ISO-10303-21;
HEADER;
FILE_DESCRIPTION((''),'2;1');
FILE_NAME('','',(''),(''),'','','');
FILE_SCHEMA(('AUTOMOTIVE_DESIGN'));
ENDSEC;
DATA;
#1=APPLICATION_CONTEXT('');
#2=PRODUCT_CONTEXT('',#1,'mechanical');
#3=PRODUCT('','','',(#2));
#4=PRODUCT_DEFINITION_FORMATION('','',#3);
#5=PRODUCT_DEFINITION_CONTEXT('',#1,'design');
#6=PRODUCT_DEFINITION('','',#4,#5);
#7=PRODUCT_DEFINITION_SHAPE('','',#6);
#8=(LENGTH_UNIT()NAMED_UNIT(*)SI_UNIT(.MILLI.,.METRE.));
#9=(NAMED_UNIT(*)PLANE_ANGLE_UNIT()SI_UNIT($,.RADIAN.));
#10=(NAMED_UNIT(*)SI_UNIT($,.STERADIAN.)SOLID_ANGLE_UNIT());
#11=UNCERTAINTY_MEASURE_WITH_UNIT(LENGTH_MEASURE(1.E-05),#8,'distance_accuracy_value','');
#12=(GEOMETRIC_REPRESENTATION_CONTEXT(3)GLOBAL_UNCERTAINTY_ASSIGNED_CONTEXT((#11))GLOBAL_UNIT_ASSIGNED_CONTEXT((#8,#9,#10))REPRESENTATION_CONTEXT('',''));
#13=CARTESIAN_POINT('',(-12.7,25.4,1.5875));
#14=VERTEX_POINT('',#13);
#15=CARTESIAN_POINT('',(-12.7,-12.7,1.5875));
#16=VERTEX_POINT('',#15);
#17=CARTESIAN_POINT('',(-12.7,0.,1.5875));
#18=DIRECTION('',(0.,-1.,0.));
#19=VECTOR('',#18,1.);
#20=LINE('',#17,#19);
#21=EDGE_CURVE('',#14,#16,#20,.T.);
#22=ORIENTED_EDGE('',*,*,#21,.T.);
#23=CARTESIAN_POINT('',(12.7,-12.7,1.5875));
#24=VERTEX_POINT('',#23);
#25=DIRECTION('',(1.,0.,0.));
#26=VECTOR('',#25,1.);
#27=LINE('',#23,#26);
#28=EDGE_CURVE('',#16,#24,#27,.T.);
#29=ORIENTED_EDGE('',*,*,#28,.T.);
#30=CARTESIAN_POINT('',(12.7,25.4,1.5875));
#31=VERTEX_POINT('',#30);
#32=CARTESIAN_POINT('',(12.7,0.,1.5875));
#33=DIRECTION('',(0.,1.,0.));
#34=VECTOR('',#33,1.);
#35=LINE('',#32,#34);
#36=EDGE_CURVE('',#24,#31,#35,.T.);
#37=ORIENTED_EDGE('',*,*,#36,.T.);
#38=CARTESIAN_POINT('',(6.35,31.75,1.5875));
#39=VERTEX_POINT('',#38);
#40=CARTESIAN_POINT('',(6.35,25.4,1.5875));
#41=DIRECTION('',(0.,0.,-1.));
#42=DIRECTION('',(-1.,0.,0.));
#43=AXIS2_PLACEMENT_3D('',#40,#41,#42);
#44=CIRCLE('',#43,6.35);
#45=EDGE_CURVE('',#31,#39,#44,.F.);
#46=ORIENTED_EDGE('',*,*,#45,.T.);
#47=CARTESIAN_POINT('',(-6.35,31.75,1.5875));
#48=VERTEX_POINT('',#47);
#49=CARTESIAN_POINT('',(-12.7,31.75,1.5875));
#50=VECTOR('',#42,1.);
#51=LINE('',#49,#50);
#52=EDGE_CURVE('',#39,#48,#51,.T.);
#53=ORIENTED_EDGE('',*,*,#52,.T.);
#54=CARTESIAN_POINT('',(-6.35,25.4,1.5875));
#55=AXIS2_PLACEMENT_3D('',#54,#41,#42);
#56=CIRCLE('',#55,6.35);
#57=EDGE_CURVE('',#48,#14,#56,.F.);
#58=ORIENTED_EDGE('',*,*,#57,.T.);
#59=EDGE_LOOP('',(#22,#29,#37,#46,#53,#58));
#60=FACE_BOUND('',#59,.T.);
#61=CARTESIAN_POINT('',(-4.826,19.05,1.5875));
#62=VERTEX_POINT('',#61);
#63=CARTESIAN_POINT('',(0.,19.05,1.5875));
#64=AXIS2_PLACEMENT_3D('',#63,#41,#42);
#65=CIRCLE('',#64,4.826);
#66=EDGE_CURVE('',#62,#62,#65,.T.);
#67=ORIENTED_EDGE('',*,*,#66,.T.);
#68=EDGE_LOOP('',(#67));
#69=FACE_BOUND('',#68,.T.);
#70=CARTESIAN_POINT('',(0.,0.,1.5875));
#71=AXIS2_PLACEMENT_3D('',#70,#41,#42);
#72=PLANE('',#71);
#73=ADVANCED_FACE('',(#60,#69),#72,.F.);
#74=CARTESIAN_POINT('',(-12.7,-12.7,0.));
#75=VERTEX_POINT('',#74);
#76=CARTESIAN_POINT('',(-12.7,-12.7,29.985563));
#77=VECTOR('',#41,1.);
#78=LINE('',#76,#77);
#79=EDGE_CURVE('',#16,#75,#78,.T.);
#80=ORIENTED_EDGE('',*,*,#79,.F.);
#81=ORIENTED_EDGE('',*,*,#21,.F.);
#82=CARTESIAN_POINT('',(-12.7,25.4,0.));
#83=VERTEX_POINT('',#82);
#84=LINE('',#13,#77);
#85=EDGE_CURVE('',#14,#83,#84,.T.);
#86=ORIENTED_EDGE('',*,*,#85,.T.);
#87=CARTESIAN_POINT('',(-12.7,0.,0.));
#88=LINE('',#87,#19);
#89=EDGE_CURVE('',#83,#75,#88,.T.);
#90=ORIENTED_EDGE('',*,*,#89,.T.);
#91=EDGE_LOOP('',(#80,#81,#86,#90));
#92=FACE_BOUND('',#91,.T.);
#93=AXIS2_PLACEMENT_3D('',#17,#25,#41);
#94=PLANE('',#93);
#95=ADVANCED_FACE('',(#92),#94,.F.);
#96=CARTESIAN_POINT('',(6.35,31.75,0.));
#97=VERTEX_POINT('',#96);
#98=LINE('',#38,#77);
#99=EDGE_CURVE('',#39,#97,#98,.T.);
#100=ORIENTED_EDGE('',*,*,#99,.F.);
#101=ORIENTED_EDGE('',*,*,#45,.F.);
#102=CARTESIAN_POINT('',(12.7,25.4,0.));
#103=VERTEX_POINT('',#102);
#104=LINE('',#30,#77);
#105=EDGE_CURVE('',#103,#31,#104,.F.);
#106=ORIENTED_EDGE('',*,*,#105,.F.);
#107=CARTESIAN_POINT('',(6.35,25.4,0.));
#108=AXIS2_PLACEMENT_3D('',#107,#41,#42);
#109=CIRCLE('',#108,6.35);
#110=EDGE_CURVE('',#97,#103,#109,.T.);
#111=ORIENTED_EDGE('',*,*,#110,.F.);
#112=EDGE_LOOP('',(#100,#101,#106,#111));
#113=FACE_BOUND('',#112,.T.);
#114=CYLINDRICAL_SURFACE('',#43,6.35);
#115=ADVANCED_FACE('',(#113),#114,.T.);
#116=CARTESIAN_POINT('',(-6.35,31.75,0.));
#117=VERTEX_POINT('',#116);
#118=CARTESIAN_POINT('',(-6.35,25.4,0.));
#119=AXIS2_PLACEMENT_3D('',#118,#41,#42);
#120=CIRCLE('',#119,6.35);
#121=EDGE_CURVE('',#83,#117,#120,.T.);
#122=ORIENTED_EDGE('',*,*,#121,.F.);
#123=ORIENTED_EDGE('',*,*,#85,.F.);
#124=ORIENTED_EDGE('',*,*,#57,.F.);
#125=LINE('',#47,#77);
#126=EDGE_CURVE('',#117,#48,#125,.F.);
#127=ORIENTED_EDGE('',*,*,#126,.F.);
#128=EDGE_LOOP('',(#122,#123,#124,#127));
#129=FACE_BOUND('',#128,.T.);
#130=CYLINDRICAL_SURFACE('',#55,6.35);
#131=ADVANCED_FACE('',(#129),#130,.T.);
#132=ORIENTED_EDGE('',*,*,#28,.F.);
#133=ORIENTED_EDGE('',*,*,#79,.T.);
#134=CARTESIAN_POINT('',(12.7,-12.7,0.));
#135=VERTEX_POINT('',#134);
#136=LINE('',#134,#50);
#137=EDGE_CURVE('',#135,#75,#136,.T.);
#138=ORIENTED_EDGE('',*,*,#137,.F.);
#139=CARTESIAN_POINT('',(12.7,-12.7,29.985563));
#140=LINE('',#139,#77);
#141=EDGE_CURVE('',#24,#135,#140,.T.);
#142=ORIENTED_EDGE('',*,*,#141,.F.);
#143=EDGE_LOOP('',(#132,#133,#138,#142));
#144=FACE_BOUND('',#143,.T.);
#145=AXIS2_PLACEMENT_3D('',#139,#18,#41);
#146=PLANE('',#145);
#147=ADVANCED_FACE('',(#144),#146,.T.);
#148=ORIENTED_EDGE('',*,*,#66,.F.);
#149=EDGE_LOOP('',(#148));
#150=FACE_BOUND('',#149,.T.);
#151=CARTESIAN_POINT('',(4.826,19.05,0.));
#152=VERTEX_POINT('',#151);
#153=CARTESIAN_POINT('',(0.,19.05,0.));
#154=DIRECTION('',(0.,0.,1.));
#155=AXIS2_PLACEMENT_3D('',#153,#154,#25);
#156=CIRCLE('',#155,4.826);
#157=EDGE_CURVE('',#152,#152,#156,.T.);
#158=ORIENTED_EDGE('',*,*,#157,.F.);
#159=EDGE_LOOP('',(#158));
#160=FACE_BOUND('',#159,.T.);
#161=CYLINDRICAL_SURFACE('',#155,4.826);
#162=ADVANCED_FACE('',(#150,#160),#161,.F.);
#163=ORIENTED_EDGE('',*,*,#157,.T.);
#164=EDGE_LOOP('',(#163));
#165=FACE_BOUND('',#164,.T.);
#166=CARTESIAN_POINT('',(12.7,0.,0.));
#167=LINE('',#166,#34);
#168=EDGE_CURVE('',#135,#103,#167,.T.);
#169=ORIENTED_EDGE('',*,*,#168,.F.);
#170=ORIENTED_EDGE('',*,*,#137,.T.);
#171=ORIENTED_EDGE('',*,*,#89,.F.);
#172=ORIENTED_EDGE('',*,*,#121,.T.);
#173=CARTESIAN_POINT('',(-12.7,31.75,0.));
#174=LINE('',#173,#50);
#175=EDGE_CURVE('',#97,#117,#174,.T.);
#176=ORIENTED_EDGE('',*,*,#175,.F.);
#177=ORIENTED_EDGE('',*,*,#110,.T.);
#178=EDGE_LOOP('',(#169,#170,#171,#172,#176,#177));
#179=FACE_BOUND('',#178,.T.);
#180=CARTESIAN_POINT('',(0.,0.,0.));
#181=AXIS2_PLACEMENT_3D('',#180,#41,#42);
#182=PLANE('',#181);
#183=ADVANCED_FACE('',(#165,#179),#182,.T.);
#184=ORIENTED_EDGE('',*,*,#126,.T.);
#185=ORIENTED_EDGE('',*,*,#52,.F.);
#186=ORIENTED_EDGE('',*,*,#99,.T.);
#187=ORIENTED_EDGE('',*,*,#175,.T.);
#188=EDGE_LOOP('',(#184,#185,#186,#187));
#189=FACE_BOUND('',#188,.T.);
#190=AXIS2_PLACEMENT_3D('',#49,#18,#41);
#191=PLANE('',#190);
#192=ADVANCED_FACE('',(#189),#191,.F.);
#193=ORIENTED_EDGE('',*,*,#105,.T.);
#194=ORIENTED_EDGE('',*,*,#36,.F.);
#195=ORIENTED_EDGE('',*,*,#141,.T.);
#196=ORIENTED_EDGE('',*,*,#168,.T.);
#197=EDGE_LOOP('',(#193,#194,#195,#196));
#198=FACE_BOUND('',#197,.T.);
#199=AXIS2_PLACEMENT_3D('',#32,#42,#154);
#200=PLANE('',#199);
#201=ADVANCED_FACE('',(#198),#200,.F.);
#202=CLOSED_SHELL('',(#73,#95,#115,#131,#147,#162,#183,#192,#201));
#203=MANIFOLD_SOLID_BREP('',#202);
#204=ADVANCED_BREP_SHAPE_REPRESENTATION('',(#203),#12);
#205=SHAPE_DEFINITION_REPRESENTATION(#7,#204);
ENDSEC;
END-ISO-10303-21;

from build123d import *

# Parameters (mm, degrees)
SKETCH1_W               = 25.4
SKETCH1_H               = 31.75
BOSS_EXTRUDE1_DEPTH     = 1.5875
CUT_EXTRUDE1_DEPTH      = 35.232625611
CUT_EXTRUDE1_DEPTH_BACK = 35.232625611
SKETCH2_R               = 4.826
FILLET1_R               = 6.35
SKETCH3_W               = 25.4
SKETCH3_H               = 12.7
BOSS_EXTRUDE2_DEPTH     = 1.5875


with BuildPart() as part:
    # Sketch1 → Boss-Extrude1 (new body)
    with BuildSketch(Plane.XY):
        with Locations((0, 15.875)):
            Rectangle(SKETCH1_W, SKETCH1_H)
    extrude(amount=BOSS_EXTRUDE1_DEPTH)

    # Sketch2 → Cut-Extrude1 (cut, two sides: drawn at the far end of the back side and taken through both)
    with BuildSketch(Plane.XY.offset(1.5875).offset(-CUT_EXTRUDE1_DEPTH_BACK)):
        with Locations((0, 19.05)):
            Circle(SKETCH2_R)
    extrude(amount=CUT_EXTRUDE1_DEPTH + CUT_EXTRUDE1_DEPTH_BACK, mode=Mode.SUBTRACT)

    # Fillet1
    fillet1_edges = [part.edges().sort_by_distance(p)[0] for p in [
        (-12.7, 31.75, 0.79375),
        (12.7, 31.75, 0.79375),
    ]]
    fillet(fillet1_edges, radius=FILLET1_R)

    # Sketch3 → Boss-Extrude2 (add)
    with BuildSketch(Plane(origin=(0, 0, 0), x_dir=(-1, 0, 0), z_dir=(0, 0, -1))):
        with Locations((0, -6.35)):
            Rectangle(SKETCH3_W, SKETCH3_H)
    extrude(amount=-BOSS_EXTRUDE2_DEPTH)


solid = part.part
